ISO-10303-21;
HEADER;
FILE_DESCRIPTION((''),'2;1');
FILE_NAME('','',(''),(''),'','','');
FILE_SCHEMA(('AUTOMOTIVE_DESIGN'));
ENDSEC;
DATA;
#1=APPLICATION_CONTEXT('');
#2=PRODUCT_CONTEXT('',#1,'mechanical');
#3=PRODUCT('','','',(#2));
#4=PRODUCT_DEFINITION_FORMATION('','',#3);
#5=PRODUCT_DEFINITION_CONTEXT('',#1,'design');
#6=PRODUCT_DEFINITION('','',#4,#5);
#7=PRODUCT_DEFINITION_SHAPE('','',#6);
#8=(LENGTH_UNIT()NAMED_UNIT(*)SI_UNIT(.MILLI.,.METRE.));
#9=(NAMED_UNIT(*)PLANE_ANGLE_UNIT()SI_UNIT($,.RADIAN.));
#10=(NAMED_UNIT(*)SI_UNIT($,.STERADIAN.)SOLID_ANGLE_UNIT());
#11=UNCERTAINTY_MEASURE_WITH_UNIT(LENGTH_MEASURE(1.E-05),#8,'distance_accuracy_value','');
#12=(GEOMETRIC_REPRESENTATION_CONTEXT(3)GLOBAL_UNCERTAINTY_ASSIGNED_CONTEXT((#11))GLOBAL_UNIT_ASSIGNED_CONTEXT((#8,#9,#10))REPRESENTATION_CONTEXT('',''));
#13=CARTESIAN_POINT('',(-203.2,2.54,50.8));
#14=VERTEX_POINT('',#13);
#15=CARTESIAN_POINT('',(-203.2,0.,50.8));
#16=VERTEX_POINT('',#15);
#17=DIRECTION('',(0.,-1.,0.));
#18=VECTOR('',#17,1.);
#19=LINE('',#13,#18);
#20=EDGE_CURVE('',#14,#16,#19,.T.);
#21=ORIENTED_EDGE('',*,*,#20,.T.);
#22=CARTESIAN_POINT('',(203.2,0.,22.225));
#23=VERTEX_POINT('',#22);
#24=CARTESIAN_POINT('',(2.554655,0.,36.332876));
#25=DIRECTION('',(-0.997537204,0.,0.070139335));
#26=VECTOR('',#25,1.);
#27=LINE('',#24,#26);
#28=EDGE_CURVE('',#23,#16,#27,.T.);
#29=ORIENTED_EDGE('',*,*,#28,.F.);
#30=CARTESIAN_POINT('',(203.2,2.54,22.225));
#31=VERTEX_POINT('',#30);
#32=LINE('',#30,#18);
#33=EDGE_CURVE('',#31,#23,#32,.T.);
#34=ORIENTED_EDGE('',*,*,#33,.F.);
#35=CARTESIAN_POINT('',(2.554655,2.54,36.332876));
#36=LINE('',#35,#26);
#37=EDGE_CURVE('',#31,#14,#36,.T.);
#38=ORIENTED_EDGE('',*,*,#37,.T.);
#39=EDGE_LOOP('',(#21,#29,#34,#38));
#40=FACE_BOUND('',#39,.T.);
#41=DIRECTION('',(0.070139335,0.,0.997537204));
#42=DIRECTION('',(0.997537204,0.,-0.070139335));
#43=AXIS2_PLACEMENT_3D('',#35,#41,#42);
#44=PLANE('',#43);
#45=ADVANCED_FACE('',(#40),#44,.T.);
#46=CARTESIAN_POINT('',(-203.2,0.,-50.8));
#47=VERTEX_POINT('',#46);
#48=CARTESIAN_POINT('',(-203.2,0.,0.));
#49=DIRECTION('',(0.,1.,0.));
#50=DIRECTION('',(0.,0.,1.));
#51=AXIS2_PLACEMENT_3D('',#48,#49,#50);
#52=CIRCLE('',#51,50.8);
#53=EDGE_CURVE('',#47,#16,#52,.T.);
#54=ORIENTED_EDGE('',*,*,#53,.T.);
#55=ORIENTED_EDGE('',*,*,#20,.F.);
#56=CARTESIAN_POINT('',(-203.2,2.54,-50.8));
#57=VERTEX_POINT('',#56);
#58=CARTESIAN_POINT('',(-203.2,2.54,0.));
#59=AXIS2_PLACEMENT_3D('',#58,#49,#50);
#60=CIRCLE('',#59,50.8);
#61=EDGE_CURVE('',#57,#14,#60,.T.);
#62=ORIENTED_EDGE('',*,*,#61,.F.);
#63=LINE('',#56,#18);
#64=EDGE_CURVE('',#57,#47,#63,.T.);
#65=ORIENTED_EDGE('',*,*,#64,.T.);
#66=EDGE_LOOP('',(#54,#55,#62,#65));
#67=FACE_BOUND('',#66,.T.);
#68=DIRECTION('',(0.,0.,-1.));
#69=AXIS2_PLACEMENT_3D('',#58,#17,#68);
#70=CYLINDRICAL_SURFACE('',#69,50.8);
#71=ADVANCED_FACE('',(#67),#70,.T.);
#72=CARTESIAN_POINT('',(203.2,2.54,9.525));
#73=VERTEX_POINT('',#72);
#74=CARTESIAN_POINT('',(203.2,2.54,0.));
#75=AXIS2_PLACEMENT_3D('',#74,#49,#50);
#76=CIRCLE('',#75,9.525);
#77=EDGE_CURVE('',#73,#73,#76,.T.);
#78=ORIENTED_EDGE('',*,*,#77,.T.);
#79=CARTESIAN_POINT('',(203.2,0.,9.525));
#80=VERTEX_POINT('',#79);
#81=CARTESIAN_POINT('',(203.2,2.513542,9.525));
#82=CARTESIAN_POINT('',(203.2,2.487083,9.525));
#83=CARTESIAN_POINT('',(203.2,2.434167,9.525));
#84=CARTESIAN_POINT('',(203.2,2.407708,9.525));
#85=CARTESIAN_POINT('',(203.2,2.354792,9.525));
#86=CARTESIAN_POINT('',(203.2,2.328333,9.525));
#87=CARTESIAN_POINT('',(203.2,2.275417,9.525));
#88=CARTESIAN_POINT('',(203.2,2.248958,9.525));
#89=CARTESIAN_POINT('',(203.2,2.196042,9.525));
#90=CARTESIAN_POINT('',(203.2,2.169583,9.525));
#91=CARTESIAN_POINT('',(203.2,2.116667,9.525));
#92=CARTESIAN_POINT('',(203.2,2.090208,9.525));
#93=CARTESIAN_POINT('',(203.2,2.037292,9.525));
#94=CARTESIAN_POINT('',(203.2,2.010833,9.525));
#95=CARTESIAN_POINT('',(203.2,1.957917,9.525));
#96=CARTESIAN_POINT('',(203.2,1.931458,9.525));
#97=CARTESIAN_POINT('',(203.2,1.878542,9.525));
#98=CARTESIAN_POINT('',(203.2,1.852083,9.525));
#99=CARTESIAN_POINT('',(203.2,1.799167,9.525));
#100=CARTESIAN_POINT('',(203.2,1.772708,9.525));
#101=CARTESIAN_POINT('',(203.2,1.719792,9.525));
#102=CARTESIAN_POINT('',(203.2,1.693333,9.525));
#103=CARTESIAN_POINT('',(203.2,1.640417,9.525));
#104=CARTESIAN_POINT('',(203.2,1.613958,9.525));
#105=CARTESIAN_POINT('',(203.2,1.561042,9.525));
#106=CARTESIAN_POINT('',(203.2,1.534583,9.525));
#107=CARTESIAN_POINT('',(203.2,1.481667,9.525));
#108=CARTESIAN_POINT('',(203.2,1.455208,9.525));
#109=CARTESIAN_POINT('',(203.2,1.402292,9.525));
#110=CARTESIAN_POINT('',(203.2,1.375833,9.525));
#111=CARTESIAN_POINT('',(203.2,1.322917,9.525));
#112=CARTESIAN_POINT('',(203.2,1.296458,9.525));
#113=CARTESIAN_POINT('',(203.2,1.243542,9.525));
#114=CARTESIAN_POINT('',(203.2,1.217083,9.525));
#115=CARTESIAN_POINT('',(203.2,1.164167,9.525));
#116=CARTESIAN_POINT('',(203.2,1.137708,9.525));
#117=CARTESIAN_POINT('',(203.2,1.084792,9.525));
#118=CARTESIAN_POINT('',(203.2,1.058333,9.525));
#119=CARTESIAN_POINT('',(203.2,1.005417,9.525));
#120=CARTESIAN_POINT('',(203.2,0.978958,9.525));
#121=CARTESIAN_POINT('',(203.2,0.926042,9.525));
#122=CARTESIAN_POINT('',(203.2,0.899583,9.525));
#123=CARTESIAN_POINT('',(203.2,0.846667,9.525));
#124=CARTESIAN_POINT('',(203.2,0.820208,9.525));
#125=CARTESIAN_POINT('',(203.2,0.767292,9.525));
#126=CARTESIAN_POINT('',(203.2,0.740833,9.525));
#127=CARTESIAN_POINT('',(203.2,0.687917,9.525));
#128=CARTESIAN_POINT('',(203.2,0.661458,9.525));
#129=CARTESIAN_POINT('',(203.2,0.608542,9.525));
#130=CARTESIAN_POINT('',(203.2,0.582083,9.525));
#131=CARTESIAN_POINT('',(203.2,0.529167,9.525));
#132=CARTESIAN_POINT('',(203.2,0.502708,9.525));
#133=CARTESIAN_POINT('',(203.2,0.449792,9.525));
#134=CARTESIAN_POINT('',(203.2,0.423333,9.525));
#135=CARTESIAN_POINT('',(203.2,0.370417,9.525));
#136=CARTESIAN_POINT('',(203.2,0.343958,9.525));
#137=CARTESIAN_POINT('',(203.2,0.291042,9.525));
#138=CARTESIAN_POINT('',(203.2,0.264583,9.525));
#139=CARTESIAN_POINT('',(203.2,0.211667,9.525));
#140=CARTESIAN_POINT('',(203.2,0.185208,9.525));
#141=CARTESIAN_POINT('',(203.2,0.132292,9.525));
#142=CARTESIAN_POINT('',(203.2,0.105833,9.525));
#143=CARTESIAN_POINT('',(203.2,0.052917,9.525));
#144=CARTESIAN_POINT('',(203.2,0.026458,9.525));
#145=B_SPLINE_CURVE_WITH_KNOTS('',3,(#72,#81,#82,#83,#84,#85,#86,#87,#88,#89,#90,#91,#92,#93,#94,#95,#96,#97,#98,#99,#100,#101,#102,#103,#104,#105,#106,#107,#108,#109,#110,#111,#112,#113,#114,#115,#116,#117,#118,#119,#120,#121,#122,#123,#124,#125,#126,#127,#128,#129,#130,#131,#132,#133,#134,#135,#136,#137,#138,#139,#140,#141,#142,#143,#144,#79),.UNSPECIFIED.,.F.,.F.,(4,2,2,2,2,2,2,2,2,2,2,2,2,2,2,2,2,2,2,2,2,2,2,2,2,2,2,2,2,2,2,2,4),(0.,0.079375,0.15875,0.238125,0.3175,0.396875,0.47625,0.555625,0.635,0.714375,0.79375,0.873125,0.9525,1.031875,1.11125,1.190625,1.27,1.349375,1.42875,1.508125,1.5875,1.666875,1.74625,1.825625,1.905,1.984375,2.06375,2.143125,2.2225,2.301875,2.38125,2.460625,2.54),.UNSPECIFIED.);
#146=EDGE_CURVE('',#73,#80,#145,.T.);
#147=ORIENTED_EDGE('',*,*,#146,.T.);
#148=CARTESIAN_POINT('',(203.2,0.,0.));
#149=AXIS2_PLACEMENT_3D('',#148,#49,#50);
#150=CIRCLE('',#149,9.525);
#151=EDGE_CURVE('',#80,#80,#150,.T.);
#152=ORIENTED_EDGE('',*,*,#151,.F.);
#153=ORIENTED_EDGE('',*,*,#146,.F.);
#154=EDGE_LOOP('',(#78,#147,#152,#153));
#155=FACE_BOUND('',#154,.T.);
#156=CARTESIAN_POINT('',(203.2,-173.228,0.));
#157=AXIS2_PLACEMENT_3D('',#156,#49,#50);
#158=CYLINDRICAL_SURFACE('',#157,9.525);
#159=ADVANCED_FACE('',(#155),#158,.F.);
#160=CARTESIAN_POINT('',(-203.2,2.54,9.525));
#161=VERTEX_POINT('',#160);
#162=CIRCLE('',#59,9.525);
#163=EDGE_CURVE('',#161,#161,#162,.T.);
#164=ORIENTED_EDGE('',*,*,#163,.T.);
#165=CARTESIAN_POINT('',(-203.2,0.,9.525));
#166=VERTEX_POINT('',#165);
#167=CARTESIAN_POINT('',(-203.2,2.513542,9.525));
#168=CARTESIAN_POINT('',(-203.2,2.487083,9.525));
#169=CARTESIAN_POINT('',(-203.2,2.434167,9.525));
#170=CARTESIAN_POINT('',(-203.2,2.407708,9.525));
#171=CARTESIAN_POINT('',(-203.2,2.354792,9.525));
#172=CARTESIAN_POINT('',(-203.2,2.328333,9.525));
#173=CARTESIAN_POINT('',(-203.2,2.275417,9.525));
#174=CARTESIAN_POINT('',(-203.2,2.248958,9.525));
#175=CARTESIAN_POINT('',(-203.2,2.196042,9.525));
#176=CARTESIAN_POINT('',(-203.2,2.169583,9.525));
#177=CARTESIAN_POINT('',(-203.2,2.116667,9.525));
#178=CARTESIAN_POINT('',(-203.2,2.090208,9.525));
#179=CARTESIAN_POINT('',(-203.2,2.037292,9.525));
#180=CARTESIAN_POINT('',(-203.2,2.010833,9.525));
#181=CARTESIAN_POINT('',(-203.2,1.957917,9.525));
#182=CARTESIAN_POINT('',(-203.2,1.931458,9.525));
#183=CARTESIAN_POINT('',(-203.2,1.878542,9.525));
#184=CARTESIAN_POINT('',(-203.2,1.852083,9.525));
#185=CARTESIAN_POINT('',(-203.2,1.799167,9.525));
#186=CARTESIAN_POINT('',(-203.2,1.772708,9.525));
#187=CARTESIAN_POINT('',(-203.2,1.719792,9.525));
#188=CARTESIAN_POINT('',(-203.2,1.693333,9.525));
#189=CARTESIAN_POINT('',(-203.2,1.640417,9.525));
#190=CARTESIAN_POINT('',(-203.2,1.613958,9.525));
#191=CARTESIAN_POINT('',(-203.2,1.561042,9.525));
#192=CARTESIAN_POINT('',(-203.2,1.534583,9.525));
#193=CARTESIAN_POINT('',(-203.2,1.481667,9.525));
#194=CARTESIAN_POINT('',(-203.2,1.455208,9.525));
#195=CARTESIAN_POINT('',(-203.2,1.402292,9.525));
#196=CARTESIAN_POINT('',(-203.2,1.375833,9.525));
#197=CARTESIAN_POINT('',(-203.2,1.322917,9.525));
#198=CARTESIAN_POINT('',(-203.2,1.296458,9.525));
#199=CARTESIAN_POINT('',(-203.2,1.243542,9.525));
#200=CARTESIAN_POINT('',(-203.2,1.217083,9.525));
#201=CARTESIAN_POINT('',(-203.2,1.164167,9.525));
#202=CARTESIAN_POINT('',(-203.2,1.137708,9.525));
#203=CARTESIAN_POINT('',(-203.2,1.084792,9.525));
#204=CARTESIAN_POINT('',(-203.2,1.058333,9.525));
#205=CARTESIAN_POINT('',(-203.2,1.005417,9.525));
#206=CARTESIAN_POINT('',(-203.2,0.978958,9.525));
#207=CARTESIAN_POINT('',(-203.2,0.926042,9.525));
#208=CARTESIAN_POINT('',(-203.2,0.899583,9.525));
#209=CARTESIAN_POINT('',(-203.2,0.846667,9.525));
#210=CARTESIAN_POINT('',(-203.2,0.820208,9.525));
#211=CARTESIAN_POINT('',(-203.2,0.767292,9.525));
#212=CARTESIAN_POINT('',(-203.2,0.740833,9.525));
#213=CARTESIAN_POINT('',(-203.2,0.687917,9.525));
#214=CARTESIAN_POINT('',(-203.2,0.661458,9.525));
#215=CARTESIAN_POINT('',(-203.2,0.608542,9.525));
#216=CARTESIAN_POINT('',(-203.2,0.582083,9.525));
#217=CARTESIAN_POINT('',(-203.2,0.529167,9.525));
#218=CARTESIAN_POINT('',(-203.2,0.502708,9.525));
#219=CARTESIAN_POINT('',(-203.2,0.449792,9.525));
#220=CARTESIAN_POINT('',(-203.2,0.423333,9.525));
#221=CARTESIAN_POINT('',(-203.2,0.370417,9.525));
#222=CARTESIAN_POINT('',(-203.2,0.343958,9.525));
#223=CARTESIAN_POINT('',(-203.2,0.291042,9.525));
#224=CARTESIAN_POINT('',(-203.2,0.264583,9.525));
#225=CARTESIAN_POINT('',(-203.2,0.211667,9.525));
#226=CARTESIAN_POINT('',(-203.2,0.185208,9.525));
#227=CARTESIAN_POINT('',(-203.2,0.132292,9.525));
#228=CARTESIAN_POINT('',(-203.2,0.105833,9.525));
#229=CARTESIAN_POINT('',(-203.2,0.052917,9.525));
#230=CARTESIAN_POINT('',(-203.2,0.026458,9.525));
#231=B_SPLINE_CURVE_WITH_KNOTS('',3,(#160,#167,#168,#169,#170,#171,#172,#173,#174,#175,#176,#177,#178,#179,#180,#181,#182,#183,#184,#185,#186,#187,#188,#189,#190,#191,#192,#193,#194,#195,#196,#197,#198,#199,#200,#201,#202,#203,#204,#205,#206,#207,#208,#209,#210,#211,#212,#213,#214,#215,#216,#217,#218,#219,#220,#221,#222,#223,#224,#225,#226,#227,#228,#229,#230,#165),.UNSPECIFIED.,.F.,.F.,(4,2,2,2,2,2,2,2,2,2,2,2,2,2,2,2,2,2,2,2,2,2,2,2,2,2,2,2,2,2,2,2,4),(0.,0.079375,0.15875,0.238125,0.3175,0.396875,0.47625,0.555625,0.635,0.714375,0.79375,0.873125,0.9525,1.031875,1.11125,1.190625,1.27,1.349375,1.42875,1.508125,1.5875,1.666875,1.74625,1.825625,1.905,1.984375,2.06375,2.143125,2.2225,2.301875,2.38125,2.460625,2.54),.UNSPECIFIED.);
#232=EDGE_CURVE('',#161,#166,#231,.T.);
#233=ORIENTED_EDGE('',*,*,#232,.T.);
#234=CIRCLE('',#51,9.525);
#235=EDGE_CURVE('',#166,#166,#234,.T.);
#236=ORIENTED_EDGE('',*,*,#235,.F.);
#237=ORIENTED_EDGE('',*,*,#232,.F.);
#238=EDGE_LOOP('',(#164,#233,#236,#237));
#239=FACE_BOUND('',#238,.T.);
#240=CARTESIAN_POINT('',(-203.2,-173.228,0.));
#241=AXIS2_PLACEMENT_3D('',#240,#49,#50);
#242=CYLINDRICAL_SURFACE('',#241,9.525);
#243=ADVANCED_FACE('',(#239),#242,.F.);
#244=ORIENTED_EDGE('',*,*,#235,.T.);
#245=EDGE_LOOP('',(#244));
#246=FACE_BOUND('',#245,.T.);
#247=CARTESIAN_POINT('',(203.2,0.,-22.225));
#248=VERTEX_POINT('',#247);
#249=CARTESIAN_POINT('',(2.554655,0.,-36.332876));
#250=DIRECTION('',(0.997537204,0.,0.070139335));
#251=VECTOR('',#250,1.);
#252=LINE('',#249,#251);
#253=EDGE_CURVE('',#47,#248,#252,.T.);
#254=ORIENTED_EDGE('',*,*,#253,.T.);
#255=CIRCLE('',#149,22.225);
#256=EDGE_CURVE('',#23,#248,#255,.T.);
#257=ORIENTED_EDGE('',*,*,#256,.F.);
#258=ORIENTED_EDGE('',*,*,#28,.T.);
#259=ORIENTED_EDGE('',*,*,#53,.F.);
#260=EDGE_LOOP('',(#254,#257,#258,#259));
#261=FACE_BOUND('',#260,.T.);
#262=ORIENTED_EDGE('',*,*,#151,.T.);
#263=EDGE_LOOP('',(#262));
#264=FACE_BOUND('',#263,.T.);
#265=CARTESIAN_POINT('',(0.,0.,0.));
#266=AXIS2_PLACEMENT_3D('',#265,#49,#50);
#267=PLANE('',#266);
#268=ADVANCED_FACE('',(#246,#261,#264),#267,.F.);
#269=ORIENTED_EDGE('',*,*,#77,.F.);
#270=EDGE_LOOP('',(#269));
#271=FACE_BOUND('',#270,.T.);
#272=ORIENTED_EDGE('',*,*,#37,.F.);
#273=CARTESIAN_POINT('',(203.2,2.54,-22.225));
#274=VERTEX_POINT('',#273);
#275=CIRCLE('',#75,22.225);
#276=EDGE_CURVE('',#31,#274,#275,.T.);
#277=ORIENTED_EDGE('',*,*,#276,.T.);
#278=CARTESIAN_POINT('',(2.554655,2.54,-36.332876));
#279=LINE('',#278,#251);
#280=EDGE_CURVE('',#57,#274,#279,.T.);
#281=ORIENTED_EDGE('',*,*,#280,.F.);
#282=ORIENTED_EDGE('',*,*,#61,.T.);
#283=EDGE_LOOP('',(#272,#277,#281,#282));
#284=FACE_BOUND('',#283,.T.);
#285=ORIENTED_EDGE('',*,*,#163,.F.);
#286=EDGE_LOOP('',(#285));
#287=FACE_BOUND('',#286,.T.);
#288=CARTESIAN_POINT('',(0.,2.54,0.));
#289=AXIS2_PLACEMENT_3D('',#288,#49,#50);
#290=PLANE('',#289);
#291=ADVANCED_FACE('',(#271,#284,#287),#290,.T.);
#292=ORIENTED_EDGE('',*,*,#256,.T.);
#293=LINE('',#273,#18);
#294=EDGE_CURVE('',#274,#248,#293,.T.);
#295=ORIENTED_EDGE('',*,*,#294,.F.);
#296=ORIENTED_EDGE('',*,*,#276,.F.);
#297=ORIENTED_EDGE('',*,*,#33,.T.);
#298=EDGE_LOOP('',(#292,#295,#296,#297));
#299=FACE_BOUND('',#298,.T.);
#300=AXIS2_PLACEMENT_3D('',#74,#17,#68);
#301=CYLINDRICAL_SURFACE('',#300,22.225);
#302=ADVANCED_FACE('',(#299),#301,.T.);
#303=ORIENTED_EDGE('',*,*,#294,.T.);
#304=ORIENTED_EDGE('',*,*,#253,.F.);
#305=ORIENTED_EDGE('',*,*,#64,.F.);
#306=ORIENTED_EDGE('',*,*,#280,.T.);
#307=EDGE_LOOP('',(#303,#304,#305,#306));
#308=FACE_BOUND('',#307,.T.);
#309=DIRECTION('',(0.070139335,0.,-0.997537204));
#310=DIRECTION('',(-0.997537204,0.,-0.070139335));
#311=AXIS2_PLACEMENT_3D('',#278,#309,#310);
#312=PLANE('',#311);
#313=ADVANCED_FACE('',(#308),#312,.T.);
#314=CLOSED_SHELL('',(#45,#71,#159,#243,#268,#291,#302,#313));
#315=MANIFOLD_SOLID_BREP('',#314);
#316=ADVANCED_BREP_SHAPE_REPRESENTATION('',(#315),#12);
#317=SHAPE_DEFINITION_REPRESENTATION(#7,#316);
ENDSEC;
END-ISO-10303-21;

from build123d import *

# Parameters (mm, degrees)
BOSS_EXTRUDE1_DEPTH = 2.54
SKETCH4_R           = 9.525
CUT_EXTRUDE1_DEPTH  = 175.768


with BuildPart() as part:
    # Sketch3 → Boss-Extrude1 (new body)
    with BuildSketch(Plane(origin=(0, 0, 0), x_dir=(1, 0, 0), z_dir=(0, 1, 0))):
        with BuildLine():
            Line((-203.2, 50.8), (203.2, 22.225))
            ThreePointArc((203.2, 22.225), (225.425, 0), (203.2, -22.225))
            Line((203.2, -22.225), (-203.2, -50.8))
            ThreePointArc((-203.2, -50.8), (-254, 0), (-203.2, 50.8))
        make_face()
    extrude(amount=BOSS_EXTRUDE1_DEPTH)

    # Sketch4 → Cut-Extrude1 (cut)
    with BuildSketch(Plane(origin=(0, 2.54, 0), x_dir=(1, 0, 0), z_dir=(0, 1, 0))):
        with Locations(Location((-203.2, 0, 0), (0, 0, 270))):
            Circle(SKETCH4_R)
        with Locations(Location((203.2, 0, 0), (0, 0, 270))):
            Circle(SKETCH4_R)
    extrude(amount=-CUT_EXTRUDE1_DEPTH, mode=Mode.SUBTRACT)


solid = part.part
